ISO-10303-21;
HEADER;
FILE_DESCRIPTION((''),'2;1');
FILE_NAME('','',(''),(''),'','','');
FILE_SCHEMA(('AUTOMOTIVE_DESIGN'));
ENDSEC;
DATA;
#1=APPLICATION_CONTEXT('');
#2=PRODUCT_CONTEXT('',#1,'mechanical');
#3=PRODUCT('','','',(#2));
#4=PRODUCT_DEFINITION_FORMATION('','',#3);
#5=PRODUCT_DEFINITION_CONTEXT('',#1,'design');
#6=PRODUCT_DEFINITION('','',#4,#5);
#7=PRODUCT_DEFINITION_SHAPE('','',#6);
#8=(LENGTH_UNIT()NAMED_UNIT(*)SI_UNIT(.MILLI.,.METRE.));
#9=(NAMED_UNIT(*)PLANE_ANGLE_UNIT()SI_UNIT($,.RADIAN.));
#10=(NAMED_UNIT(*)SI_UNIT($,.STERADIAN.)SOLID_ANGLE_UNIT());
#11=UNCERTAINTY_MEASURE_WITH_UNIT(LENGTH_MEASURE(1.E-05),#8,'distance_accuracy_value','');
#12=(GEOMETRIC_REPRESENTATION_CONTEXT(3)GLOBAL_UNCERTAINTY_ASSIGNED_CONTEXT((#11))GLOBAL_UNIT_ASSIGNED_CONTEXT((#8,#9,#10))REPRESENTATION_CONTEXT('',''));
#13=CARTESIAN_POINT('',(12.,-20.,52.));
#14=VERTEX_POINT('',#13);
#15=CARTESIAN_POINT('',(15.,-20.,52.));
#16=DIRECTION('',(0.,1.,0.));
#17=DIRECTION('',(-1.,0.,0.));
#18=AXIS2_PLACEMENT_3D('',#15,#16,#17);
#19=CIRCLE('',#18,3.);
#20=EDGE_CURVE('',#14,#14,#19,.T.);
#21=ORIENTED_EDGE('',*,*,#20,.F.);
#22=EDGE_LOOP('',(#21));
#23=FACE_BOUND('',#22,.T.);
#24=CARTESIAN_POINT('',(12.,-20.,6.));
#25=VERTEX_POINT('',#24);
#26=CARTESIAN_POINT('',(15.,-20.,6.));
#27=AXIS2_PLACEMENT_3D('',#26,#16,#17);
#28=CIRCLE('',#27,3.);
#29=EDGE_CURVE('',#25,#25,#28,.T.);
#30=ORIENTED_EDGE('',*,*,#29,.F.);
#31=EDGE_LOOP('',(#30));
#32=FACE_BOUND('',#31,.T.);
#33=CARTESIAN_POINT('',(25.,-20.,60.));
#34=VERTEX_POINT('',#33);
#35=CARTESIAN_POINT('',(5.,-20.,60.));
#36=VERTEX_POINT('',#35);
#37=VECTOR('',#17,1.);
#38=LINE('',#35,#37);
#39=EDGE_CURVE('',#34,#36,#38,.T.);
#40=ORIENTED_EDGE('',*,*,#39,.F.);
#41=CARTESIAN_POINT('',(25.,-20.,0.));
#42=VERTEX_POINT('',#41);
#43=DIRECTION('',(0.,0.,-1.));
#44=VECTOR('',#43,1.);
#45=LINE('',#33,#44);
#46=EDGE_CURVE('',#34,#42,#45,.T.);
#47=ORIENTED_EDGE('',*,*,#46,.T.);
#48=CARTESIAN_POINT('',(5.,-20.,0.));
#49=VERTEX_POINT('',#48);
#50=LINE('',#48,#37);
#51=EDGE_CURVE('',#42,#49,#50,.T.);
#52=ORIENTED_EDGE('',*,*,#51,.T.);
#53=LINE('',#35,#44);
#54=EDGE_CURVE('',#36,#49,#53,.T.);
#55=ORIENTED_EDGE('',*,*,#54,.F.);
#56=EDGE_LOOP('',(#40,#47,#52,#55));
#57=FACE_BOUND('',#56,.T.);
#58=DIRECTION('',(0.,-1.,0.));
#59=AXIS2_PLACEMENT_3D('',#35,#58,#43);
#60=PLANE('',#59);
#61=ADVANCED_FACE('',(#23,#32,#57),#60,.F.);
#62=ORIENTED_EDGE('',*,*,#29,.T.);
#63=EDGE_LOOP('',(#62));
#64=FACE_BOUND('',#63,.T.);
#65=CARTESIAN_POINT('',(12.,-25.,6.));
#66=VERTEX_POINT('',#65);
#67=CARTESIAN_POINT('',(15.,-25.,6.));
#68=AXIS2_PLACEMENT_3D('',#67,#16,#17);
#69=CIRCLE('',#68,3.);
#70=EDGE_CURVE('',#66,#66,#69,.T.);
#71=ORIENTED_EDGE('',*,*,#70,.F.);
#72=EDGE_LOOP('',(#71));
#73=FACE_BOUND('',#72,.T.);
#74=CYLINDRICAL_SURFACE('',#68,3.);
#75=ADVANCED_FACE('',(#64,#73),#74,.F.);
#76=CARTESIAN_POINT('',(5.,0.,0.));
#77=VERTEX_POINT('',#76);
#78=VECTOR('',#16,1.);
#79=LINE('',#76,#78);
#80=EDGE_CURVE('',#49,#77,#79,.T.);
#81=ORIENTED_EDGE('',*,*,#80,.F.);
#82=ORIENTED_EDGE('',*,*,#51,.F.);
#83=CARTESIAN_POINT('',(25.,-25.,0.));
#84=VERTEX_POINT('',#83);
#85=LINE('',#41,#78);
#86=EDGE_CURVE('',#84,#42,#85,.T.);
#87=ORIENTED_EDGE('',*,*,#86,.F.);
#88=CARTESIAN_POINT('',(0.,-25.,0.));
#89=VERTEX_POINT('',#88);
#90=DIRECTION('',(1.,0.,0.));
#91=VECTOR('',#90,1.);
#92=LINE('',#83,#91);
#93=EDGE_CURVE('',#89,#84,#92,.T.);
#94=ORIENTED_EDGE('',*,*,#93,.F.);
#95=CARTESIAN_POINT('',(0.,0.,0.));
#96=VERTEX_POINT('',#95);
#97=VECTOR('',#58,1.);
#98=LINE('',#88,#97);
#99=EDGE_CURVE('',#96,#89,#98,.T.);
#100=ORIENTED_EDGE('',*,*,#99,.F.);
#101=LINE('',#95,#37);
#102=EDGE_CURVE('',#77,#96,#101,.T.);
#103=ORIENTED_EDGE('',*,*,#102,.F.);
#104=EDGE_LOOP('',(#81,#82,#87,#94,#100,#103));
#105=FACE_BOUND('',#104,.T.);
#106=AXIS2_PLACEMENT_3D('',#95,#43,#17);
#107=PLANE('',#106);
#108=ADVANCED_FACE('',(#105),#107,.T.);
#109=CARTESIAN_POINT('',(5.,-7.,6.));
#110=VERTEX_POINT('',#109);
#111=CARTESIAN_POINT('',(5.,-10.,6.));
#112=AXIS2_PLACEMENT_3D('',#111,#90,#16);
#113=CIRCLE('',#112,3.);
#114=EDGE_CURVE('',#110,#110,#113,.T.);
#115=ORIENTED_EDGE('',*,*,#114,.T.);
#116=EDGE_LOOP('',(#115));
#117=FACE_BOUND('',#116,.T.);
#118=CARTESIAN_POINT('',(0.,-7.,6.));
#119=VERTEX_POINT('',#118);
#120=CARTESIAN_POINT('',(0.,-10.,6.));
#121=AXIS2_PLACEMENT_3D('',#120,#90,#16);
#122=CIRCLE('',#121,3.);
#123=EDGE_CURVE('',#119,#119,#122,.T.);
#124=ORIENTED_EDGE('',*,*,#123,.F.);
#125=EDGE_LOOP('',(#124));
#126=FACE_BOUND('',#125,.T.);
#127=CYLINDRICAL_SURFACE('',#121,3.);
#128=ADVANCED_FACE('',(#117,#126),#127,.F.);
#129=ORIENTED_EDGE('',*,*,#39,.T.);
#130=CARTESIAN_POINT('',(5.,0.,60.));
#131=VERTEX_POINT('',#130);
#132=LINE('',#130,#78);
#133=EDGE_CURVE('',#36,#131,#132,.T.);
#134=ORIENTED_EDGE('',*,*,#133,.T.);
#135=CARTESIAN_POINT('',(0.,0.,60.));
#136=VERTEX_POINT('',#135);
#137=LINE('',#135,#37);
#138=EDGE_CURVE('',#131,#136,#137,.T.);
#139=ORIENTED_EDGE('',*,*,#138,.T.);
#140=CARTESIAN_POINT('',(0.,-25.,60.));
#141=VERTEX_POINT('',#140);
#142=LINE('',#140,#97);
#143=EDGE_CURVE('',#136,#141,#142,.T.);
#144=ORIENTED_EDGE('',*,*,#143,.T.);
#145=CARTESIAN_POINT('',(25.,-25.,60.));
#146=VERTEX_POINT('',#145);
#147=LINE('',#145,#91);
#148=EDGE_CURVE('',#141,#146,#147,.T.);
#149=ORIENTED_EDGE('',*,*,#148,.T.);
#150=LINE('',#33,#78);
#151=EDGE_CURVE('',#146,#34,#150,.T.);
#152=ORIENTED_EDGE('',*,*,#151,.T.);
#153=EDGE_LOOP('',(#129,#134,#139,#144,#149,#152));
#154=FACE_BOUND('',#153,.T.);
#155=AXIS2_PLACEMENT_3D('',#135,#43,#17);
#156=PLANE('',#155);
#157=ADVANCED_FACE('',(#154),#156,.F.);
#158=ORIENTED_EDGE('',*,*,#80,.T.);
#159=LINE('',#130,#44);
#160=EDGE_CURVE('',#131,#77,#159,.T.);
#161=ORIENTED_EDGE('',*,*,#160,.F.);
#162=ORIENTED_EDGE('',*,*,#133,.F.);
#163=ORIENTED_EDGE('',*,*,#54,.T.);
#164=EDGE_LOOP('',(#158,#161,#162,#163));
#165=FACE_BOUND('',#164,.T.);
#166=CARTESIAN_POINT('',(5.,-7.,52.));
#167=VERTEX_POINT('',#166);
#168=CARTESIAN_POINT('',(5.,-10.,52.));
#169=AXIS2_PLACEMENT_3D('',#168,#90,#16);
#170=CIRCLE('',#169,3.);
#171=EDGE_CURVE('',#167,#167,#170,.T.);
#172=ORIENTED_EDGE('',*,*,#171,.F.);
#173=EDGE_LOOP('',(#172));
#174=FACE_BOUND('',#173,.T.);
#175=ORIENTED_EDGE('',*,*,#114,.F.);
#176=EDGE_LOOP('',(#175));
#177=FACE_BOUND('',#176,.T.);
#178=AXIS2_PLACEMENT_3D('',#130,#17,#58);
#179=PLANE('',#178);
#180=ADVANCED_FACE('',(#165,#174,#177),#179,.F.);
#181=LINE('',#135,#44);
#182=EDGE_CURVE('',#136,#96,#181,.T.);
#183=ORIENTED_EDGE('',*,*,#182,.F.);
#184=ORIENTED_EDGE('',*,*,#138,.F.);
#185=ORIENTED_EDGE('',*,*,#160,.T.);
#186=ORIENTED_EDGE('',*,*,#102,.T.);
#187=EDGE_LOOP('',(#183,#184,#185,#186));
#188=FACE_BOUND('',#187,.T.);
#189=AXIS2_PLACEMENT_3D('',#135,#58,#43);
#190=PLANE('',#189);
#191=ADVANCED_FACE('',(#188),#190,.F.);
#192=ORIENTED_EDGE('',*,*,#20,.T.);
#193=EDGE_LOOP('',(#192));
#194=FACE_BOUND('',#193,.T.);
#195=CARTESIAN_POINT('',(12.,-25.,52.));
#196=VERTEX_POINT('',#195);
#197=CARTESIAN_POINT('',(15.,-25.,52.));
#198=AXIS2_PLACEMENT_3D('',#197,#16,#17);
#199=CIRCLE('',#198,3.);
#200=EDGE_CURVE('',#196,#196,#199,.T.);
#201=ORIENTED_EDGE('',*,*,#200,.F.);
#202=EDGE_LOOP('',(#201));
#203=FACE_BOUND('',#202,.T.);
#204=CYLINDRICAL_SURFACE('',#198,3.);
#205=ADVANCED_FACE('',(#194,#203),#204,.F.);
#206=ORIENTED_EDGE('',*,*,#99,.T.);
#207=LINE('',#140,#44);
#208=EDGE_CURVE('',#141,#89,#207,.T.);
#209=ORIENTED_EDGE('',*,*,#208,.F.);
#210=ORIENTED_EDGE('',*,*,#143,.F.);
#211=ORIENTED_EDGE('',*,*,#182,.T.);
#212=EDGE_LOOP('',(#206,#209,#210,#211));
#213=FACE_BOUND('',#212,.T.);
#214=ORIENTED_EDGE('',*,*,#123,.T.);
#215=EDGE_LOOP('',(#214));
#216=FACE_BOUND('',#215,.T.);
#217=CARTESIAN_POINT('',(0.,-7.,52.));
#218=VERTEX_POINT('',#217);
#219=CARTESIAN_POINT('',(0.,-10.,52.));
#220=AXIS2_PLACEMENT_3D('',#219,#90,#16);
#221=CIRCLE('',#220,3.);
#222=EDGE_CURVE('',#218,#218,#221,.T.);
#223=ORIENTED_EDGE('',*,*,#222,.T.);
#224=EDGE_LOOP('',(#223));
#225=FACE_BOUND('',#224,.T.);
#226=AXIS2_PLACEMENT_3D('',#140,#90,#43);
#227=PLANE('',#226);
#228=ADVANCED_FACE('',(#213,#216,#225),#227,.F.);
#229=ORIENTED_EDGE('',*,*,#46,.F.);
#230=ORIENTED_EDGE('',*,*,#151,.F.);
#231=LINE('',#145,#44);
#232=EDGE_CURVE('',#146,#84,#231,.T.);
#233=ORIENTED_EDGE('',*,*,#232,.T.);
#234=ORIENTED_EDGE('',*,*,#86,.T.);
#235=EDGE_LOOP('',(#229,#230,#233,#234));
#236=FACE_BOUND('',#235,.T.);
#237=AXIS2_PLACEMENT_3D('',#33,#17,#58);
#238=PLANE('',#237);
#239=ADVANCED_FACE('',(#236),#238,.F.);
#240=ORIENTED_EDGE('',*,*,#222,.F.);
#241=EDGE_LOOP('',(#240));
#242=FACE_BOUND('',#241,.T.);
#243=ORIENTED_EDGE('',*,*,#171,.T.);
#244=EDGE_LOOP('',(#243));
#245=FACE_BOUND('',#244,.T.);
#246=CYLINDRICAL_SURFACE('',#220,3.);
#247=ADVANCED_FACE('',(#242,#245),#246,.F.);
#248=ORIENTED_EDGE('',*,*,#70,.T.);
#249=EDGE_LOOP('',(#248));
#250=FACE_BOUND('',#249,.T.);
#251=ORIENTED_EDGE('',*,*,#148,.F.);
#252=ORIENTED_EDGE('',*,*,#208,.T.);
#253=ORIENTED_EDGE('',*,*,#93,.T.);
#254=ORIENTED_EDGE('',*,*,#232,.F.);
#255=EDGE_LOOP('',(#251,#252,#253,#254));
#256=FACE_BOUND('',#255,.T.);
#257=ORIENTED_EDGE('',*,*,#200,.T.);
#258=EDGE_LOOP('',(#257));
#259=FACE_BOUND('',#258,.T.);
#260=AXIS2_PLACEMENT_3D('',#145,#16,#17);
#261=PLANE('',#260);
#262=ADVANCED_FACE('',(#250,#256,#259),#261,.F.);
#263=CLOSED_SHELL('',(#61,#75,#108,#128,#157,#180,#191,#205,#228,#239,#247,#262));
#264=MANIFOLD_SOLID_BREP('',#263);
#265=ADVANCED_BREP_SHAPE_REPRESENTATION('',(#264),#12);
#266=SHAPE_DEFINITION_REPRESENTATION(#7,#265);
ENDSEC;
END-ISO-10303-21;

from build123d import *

# Parameters (mm, degrees)
EXTRUDE_1_DEPTH     = 60
SKETCH_2_R          = 3
CUT_EXTRUDE_1_DEPTH = 69.007352544
SKETCH_3_R          = 3
CUT_EXTRUDE_2_DEPTH = 69.007352544


with BuildPart() as part:
    # 草图1 → 凸台-拉伸1 (new body)
    with BuildSketch(Plane.XY):
        Polygon((0, 0), (5, 0), (5, -20), (25, -20), (25, -25), (0, -25), align=None)
    extrude(amount=EXTRUDE_1_DEPTH)

    # 草图2 → 切除-拉伸1 (cut, through all)
    with BuildSketch(Plane(origin=(0, -20, 0), x_dir=(1, 0, 0), z_dir=(0, 1, 0))):
        with Locations(Location((15, -6, 0), (0, 0, 180))):
            Circle(SKETCH_2_R)
        with Locations(Location((15, -52, 0), (0, 0, 180))):
            Circle(SKETCH_2_R)
    extrude(amount=-CUT_EXTRUDE_1_DEPTH, mode=Mode.SUBTRACT)

    # 草图3 → 切除-拉伸2 (cut, through all)
    with BuildSketch(Plane(origin=(5, 0, 0), x_dir=(0, 0, -1), z_dir=(1, 0, 0))):
        with Locations(Location((-6, -10, 0), (0, 0, 90))):
            Circle(SKETCH_3_R)
        with Locations(Location((-52, -10, 0), (0, 0, 90))):
            Circle(SKETCH_3_R)
    extrude(amount=-CUT_EXTRUDE_2_DEPTH, mode=Mode.SUBTRACT)


solid = part.part
